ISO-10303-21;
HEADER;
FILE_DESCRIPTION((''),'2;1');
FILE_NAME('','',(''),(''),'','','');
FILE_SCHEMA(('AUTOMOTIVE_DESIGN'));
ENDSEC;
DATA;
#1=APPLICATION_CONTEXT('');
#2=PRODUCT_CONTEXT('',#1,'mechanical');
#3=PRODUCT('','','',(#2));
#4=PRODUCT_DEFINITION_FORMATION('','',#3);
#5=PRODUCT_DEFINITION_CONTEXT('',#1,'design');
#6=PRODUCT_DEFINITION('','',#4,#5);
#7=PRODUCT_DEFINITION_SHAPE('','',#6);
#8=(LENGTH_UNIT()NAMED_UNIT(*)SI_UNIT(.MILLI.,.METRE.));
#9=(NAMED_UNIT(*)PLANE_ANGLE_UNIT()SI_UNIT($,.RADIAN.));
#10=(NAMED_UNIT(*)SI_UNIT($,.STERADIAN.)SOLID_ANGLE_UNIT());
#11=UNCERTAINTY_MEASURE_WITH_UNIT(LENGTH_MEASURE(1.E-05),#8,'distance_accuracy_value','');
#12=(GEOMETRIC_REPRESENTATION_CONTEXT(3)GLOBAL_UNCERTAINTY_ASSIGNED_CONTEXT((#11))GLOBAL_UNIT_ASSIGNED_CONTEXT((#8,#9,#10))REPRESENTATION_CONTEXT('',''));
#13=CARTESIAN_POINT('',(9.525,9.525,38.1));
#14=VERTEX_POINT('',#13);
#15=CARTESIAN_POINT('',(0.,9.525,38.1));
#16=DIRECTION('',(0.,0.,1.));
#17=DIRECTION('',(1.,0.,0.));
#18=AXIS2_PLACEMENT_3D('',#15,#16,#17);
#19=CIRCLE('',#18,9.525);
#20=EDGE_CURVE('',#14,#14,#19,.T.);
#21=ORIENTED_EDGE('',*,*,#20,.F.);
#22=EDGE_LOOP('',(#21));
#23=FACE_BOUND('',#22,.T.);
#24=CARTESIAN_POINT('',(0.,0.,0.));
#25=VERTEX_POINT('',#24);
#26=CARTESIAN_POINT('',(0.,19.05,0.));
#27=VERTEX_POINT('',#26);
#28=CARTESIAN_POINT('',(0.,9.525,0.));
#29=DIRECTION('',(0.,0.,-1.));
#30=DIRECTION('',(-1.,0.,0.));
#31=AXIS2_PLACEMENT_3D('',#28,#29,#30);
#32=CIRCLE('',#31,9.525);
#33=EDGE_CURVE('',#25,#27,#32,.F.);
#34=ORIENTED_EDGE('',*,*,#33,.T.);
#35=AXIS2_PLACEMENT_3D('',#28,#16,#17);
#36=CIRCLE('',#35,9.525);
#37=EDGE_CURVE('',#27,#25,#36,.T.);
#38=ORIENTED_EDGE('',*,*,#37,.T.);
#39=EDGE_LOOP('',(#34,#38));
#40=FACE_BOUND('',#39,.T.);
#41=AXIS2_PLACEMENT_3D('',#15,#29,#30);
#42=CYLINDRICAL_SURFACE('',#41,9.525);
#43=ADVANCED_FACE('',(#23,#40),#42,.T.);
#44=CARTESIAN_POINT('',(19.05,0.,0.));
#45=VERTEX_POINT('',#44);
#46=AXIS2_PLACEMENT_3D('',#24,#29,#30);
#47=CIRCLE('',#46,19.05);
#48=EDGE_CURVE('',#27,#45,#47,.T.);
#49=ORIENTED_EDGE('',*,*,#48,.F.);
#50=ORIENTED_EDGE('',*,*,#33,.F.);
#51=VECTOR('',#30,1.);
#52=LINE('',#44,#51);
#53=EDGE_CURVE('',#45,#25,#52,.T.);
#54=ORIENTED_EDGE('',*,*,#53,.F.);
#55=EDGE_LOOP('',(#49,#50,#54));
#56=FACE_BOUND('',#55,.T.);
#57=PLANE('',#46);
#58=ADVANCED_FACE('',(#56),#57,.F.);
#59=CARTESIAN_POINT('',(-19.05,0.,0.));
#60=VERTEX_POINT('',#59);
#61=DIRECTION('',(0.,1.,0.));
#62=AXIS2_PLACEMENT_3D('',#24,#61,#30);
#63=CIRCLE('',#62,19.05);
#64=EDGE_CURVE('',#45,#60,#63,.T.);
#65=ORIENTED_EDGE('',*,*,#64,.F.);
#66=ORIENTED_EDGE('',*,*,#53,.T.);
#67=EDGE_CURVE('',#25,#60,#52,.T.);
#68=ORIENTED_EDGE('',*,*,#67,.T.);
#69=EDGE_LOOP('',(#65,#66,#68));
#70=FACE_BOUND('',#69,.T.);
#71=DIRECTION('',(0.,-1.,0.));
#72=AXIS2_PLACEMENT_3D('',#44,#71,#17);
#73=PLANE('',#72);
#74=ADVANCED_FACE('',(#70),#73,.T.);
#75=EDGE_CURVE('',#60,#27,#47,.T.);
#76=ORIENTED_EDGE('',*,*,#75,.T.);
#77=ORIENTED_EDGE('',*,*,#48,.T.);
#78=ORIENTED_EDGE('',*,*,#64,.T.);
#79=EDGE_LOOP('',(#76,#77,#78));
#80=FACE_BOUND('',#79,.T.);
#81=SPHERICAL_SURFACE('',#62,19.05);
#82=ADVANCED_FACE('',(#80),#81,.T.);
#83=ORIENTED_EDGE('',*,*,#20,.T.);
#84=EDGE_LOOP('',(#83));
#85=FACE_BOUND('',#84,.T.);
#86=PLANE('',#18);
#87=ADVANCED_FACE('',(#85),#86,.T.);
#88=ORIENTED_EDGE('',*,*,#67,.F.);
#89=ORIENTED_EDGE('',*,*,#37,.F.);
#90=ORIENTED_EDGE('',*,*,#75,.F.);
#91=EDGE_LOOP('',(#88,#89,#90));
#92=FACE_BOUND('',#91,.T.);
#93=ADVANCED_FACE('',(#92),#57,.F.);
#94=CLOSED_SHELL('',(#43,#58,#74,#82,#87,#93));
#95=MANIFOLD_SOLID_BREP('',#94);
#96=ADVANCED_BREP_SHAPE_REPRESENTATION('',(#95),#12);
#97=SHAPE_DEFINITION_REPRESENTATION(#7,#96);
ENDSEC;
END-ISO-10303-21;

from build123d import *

# Parameters (mm, degrees)
REVOLVE2_ANGLE      = 180
SKETCH8_R           = 9.525
BOSS_EXTRUDE4_DEPTH = 38.1


with BuildPart() as part:
    # Sketch7 → Revolve2 (revolve)
    with BuildSketch(Plane.XY):
        with BuildLine():
            Line((-19.05, 0), (0, 0))
            Line((0, 0), (0, 19.05))
            ThreePointArc((0, 19.05), (-13.470384182, 13.470384182), (-19.05, 0))
        make_face()
    revolve(axis=Axis((0, 19.05, 0), (0, -1, 0)), revolution_arc=REVOLVE2_ANGLE)

    # Sketch8 → Boss-Extrude4 (add)
    with BuildSketch(Plane.XY):
        with Locations((0, 9.525)):
            Circle(SKETCH8_R)
    extrude(amount=BOSS_EXTRUDE4_DEPTH)


solid = part.part
